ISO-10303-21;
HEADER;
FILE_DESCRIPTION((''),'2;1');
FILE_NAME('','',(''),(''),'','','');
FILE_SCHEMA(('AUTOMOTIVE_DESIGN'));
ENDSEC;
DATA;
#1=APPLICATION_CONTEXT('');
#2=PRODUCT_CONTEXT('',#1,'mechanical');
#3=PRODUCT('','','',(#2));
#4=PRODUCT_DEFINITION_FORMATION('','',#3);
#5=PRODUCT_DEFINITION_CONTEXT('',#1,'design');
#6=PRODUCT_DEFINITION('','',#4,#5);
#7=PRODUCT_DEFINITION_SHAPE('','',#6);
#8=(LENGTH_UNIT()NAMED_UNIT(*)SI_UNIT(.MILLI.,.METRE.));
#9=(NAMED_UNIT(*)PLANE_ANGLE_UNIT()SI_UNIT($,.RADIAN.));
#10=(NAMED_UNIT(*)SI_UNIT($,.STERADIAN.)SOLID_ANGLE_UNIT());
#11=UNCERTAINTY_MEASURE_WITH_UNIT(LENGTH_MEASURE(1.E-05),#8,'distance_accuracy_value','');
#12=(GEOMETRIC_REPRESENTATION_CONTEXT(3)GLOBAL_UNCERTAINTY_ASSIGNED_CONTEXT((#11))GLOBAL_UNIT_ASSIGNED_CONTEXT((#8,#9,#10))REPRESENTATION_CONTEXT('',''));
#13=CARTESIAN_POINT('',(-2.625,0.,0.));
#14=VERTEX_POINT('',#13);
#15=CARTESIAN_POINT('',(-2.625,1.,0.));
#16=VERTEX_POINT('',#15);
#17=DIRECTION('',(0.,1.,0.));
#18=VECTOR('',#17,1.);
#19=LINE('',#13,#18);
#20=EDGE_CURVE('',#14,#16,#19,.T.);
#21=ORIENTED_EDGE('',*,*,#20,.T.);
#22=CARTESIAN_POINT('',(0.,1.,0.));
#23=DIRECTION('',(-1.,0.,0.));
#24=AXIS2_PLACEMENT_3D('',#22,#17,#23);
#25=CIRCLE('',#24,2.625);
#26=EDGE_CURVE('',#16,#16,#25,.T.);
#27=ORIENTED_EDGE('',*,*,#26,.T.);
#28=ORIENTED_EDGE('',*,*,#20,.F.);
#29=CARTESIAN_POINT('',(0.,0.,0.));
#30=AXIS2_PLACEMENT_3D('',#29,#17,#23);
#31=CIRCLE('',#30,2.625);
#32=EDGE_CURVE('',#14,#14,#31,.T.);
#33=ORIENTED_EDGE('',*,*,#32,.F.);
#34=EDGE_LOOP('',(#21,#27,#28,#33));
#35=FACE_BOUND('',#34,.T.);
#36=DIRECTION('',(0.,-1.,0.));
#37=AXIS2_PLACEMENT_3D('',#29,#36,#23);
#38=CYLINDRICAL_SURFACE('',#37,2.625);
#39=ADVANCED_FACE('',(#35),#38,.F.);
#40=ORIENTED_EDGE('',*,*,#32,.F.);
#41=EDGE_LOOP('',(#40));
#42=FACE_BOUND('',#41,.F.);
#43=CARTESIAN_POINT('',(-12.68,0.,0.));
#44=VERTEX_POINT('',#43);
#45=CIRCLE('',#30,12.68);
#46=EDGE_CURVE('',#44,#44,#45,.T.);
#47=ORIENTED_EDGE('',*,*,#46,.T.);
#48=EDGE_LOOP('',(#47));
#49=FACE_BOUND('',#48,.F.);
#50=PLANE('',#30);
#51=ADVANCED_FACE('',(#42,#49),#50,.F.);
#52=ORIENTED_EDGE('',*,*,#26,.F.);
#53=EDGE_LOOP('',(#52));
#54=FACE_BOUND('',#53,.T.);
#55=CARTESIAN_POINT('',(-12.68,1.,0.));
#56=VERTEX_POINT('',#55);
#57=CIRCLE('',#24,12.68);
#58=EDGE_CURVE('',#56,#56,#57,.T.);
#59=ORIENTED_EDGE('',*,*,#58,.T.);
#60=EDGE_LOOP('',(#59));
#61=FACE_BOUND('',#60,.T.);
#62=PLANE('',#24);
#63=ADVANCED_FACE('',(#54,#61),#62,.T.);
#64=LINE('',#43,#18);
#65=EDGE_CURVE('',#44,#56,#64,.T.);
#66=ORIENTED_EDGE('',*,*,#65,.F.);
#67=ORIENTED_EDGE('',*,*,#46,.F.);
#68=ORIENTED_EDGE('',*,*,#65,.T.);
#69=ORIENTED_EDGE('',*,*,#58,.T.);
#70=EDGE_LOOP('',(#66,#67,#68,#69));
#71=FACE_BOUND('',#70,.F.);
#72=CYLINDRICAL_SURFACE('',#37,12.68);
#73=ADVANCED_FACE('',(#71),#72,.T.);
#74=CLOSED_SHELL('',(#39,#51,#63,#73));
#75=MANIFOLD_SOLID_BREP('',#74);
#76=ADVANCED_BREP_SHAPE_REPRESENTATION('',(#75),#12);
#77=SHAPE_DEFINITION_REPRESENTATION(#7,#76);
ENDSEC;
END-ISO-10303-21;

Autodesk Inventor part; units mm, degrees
ref_plane "YZ Plane" through (0, 0, 0) normal (1, 0, 0) x (0, 1, 0)
ref_plane "XZ Plane" through (0, 0, 0) normal (0, 1, 0) x (-1, 0, 0)
ref_plane "XY Plane" through (0, 0, 0) normal (0, 0, 1) x (1, 0, 0)
sketch "Sketch1" plane through (0, 0, 0) normal (0, 1, 0) x (-1, 0, 0)
  circle A0 centre (0, 0) radius 12.68
  circle A1 centre (0, 0) radius 2.625
  dimension "d0" = 25.36
  dimension "d1" = 5.25
extrude "Extrusion1" add sketch "Sketch1" along normal blind 1
properties part number "Washer"
